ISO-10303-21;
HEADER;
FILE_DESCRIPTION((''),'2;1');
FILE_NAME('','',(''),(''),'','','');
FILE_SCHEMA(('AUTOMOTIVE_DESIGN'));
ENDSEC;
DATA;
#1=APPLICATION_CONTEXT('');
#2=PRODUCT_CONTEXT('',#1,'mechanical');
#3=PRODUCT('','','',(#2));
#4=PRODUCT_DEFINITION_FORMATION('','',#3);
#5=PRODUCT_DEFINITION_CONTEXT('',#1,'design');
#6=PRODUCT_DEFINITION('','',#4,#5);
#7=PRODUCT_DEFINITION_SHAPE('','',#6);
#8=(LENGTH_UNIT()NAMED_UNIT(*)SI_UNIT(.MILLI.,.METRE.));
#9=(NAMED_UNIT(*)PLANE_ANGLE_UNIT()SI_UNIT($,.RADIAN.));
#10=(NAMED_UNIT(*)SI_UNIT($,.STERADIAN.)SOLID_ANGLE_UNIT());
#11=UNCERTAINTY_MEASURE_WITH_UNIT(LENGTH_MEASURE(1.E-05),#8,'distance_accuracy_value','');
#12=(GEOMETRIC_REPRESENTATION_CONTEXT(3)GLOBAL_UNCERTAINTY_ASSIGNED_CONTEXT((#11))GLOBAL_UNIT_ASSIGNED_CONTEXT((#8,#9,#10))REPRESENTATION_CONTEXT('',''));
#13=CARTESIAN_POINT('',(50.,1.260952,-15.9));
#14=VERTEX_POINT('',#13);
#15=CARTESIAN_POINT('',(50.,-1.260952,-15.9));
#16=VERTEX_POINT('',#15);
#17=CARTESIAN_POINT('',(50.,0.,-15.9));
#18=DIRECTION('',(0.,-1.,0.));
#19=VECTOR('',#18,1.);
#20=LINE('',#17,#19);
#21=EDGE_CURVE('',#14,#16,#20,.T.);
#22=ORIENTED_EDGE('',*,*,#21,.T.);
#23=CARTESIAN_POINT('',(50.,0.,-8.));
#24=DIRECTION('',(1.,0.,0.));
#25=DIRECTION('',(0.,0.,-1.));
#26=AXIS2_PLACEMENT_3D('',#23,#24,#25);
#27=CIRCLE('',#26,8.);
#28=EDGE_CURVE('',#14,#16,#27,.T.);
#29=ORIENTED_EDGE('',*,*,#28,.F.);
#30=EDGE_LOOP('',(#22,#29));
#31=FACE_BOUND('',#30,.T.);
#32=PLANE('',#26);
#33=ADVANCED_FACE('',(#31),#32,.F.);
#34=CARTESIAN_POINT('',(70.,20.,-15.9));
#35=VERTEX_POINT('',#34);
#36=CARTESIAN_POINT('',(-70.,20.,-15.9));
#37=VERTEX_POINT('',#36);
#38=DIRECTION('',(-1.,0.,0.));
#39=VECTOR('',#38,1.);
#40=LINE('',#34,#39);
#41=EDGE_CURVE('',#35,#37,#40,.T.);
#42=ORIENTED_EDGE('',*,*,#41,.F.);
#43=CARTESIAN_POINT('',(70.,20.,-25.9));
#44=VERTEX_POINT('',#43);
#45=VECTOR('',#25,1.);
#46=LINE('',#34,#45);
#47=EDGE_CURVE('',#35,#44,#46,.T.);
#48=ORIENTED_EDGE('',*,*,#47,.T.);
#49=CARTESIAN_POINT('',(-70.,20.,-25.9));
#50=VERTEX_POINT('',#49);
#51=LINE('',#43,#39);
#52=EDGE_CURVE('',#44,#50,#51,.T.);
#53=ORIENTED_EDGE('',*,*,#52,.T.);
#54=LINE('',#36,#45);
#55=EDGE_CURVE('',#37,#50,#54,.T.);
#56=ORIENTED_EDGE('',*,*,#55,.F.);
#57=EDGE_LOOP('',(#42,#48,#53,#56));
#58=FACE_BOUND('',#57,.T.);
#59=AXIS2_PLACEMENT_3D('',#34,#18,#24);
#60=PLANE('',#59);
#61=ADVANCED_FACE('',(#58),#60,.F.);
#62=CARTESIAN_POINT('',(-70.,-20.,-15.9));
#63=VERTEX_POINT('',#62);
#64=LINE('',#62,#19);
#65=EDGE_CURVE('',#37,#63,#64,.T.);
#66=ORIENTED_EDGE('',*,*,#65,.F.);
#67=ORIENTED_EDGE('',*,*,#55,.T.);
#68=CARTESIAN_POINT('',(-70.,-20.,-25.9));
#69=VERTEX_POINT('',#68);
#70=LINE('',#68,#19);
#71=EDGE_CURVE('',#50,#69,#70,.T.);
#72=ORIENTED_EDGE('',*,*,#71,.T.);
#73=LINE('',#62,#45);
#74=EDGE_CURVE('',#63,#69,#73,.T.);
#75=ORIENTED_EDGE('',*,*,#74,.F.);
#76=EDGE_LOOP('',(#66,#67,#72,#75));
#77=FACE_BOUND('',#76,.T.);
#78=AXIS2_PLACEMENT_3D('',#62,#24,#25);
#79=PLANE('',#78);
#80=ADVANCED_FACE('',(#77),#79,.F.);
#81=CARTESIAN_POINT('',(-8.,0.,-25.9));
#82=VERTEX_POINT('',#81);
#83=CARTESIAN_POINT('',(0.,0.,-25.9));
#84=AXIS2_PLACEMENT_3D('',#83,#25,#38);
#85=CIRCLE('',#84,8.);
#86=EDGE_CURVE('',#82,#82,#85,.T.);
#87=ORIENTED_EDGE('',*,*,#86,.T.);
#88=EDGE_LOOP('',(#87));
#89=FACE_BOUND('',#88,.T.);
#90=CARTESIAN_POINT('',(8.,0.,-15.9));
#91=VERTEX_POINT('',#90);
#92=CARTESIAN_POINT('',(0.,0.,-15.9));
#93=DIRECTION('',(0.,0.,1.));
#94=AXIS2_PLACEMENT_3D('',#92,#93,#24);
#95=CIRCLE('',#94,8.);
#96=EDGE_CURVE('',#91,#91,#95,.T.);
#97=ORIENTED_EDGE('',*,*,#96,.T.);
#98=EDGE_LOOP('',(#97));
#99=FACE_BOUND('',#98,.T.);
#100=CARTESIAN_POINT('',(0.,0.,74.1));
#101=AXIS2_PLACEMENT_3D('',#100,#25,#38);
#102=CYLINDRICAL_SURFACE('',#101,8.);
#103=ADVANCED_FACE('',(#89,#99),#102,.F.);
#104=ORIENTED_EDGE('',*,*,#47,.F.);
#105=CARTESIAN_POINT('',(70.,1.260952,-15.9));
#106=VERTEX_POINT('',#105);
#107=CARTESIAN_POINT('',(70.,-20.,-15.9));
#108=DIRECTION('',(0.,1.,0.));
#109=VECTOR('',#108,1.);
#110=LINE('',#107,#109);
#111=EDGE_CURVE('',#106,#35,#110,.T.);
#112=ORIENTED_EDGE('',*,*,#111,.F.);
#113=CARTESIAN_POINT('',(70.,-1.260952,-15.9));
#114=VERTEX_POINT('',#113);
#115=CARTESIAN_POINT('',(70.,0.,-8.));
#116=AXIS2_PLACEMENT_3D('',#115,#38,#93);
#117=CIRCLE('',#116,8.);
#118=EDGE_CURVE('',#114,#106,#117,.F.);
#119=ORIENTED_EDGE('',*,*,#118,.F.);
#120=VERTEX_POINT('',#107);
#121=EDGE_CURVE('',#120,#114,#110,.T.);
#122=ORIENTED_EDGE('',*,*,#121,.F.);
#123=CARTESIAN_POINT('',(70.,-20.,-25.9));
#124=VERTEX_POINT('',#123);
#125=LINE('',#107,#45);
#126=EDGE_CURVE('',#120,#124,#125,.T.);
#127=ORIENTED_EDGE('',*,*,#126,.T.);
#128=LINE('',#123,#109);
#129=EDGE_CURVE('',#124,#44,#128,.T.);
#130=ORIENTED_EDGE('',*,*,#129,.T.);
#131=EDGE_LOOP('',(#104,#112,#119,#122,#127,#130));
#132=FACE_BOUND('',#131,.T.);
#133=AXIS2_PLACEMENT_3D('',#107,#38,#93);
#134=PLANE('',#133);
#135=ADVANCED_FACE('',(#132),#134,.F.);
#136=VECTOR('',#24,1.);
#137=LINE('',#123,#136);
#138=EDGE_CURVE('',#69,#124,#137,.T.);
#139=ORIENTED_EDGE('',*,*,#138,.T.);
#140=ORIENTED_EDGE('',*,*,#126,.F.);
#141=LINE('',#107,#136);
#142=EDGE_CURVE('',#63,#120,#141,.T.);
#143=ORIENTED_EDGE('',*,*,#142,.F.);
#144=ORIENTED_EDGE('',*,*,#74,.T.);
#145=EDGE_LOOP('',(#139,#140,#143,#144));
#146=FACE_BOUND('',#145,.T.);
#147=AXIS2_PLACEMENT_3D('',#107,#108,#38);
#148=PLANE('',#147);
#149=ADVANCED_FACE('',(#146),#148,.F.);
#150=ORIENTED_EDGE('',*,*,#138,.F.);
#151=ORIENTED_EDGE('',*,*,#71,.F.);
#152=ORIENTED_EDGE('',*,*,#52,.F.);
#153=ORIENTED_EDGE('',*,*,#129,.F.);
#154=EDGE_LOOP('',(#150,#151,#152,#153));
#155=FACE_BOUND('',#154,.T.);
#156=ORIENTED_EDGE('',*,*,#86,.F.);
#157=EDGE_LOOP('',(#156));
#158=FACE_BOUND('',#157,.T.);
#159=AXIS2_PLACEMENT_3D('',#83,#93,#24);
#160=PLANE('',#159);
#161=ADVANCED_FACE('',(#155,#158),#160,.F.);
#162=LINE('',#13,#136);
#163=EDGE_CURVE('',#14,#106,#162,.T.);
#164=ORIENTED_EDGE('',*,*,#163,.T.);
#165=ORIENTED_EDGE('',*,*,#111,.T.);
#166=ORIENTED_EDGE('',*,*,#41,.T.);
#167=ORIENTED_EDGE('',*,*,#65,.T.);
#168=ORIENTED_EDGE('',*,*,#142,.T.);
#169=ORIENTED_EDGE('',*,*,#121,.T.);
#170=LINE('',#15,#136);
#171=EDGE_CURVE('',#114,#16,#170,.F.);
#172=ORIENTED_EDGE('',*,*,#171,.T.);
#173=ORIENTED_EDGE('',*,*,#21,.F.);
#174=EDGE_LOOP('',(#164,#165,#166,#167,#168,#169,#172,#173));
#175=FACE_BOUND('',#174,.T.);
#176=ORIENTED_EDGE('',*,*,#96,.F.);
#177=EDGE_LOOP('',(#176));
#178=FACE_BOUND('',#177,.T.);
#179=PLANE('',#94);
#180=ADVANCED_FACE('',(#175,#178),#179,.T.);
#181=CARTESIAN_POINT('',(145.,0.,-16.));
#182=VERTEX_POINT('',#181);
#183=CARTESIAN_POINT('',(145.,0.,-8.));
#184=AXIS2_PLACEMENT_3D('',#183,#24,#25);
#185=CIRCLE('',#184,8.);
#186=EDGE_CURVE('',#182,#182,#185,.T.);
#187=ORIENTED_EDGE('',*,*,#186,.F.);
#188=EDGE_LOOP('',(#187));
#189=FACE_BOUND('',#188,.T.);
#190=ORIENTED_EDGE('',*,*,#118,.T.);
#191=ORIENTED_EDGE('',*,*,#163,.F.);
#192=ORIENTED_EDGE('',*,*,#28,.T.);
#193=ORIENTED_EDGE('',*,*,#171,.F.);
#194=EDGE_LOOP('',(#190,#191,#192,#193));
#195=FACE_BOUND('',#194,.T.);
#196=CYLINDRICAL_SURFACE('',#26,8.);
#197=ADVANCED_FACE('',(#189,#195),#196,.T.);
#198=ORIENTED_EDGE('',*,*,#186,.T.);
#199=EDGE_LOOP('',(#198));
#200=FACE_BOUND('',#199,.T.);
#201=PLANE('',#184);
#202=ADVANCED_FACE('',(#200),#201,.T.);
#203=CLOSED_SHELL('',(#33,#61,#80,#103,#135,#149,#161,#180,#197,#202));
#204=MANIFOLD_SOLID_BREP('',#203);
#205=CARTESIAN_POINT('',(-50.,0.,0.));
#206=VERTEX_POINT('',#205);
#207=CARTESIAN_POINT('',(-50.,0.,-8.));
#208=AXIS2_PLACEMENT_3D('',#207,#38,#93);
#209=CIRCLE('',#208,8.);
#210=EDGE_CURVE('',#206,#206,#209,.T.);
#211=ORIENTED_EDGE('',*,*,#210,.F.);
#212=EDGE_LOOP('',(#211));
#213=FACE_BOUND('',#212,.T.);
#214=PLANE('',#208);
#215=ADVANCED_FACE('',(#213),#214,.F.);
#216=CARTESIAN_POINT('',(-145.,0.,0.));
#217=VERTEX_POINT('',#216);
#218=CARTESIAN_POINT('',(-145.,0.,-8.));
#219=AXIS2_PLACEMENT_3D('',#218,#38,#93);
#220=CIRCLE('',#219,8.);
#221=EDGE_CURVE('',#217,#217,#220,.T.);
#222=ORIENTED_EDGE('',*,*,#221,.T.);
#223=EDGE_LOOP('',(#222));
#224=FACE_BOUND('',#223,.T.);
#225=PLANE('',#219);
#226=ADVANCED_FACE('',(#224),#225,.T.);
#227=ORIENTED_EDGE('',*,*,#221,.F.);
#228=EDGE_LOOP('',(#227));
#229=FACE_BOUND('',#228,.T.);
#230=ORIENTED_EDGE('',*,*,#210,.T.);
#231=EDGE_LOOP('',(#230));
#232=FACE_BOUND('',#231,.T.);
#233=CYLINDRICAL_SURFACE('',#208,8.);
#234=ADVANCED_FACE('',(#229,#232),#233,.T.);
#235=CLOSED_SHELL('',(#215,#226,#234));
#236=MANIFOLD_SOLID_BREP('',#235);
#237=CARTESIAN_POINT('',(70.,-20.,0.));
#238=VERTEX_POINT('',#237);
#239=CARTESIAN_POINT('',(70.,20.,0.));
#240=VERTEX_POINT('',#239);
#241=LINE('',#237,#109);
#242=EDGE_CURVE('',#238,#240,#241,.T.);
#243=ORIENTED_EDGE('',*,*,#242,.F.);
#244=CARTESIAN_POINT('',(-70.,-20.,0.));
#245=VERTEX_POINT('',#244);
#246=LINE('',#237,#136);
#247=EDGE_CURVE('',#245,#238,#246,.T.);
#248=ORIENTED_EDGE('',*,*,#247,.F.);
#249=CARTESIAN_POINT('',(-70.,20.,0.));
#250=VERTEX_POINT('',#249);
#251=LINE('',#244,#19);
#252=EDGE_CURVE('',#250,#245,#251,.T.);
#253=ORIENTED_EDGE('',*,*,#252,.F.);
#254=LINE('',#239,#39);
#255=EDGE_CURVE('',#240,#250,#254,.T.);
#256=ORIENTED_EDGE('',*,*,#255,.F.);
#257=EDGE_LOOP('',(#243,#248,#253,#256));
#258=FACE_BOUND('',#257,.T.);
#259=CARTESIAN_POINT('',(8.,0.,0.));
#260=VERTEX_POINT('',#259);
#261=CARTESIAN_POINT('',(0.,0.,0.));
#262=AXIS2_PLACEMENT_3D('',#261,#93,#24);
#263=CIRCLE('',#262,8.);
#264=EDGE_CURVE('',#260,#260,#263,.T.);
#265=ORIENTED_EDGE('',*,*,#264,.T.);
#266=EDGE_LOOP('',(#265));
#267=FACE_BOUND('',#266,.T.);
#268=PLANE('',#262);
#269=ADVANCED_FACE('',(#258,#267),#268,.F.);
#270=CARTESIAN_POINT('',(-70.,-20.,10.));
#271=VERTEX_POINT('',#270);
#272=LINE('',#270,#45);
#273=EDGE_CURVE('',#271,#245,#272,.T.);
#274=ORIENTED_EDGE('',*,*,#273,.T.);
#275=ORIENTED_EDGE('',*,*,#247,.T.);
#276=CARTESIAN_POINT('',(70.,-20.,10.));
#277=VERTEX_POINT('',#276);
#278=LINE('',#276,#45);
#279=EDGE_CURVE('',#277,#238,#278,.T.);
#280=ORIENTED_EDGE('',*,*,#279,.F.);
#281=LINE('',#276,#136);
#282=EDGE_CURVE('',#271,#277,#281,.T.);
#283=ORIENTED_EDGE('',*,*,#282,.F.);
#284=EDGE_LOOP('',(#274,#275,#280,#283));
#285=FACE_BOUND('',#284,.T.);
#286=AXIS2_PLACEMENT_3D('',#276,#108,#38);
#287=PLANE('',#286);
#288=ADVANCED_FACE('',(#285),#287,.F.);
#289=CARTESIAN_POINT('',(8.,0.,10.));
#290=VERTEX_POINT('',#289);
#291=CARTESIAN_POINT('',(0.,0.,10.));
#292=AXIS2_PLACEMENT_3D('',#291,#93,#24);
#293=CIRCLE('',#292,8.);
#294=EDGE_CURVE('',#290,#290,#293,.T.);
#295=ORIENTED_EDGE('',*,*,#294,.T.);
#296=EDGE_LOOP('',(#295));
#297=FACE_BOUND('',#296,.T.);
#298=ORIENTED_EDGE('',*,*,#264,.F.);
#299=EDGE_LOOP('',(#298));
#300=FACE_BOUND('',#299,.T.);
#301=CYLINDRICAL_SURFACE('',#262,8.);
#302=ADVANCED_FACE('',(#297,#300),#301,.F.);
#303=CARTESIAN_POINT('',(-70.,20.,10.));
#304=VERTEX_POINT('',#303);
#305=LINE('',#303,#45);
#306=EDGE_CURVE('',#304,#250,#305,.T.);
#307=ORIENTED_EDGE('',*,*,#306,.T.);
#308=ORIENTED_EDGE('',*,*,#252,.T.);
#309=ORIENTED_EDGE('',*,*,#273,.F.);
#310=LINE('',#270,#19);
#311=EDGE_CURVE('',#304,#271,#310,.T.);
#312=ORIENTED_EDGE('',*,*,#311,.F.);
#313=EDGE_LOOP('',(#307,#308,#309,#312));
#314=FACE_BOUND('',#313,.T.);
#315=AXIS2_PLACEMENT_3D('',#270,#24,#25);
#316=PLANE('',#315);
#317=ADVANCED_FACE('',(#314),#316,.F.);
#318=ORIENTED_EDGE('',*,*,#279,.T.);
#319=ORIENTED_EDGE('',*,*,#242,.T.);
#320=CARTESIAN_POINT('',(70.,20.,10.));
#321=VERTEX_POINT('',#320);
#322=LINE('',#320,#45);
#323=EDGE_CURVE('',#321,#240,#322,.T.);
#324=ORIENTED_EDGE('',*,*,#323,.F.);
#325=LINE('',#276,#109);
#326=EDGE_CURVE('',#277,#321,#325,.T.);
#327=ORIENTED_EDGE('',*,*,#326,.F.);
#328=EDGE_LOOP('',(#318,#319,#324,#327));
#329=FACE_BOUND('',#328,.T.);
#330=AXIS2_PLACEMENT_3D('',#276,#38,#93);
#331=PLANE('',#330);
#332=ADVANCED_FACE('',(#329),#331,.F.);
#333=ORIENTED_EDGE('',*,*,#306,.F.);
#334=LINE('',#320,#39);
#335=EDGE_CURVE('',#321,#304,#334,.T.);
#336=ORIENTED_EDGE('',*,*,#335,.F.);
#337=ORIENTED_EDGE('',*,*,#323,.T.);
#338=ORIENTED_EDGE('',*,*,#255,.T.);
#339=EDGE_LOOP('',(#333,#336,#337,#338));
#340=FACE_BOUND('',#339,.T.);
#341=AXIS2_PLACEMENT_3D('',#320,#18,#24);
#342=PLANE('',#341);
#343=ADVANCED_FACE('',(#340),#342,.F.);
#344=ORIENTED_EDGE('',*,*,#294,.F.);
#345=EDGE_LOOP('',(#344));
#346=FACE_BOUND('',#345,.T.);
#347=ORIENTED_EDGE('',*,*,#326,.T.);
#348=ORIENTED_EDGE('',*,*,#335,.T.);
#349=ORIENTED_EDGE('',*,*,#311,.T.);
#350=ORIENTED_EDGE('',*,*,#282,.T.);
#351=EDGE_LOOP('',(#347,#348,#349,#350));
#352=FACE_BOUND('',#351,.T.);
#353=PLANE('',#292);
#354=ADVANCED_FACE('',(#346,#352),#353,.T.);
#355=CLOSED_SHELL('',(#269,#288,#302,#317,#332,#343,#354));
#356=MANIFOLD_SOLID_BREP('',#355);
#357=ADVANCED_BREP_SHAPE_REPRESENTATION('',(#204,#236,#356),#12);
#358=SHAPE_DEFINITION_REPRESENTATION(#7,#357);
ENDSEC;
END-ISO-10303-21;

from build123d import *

# Parameters (mm, degrees)
SKETCH1_W                = 140
SKETCH1_H                = 40
BOSS_EXTRUDE1_DEPTH      = 10
SKETCH4_R                = 8
CUT_EXTRUDE1_DEPTH       = 10
BOSS_EXTRUDE2_DEPTH      = 75
BOSS_EXTRUDE2_DEPTH_BACK = 20
SKETCH5_R                = 8
LPATTERN1_COUNT          = 2
LPATTERN1_PITCH          = 25.9
CUT_EXTRUDE2_START       = -100
SKETCH6_R                = 8
CUT_EXTRUDE2_DEPTH       = 100
BOSS_EXTRUDE3_DEPTH      = 75
BOSS_EXTRUDE3_DEPTH_BACK = 20
SKETCH7_R                = 8


with BuildPart() as part:
    # Sketch1 → Boss-Extrude1 (new body)
    with BuildSketch(Plane.XY):
        Rectangle(SKETCH1_W, SKETCH1_H)
    boss_extrude1 = extrude(amount=BOSS_EXTRUDE1_DEPTH)

    # Sketch4 → Cut-Extrude1 (cut)
    with BuildSketch(Plane.XY.offset(10)):
        Circle(SKETCH4_R)
    extrude(amount=-CUT_EXTRUDE1_DEPTH, mode=Mode.SUBTRACT)


with BuildPart() as body_2:
    # Sketch5 → Boss-Extrude2 (new, two sides: drawn at the far end of the back side and taken through both)
    with BuildSketch(Plane(origin=(70, 0, 0), x_dir=(0, 0, -1), z_dir=(1, 0, 0)).offset(-BOSS_EXTRUDE2_DEPTH_BACK)):
        with Locations((8, 0)):
            Circle(SKETCH5_R)
    extrude(amount=BOSS_EXTRUDE2_DEPTH + BOSS_EXTRUDE2_DEPTH_BACK)

    # LPattern1: Boss-Extrude1 ×2
    with Locations(*[(0, 0, -i * LPATTERN1_PITCH) for i in range(1, LPATTERN1_COUNT)]):
        add(boss_extrude1)

    # Sketch6 → Cut-Extrude2 (cut)
    with BuildSketch(Plane(origin=(0, 0, -25.9), x_dir=(-1, 0, 0), z_dir=(0, 0, -1)).offset(CUT_EXTRUDE2_START)):
        Circle(SKETCH6_R)
    extrude(amount=CUT_EXTRUDE2_DEPTH, mode=Mode.SUBTRACT)


with BuildPart() as body_3:
    # Sketch7 → Boss-Extrude3 (new, two sides: drawn at the far end of the back side and taken through both)
    with BuildSketch(Plane.ZY.offset(70).offset(-BOSS_EXTRUDE3_DEPTH_BACK)):
        with Locations((-8, 0)):
            Circle(SKETCH7_R)
    extrude(amount=BOSS_EXTRUDE3_DEPTH + BOSS_EXTRUDE3_DEPTH_BACK)


solid = Compound([part.part, body_2.part, body_3.part])
